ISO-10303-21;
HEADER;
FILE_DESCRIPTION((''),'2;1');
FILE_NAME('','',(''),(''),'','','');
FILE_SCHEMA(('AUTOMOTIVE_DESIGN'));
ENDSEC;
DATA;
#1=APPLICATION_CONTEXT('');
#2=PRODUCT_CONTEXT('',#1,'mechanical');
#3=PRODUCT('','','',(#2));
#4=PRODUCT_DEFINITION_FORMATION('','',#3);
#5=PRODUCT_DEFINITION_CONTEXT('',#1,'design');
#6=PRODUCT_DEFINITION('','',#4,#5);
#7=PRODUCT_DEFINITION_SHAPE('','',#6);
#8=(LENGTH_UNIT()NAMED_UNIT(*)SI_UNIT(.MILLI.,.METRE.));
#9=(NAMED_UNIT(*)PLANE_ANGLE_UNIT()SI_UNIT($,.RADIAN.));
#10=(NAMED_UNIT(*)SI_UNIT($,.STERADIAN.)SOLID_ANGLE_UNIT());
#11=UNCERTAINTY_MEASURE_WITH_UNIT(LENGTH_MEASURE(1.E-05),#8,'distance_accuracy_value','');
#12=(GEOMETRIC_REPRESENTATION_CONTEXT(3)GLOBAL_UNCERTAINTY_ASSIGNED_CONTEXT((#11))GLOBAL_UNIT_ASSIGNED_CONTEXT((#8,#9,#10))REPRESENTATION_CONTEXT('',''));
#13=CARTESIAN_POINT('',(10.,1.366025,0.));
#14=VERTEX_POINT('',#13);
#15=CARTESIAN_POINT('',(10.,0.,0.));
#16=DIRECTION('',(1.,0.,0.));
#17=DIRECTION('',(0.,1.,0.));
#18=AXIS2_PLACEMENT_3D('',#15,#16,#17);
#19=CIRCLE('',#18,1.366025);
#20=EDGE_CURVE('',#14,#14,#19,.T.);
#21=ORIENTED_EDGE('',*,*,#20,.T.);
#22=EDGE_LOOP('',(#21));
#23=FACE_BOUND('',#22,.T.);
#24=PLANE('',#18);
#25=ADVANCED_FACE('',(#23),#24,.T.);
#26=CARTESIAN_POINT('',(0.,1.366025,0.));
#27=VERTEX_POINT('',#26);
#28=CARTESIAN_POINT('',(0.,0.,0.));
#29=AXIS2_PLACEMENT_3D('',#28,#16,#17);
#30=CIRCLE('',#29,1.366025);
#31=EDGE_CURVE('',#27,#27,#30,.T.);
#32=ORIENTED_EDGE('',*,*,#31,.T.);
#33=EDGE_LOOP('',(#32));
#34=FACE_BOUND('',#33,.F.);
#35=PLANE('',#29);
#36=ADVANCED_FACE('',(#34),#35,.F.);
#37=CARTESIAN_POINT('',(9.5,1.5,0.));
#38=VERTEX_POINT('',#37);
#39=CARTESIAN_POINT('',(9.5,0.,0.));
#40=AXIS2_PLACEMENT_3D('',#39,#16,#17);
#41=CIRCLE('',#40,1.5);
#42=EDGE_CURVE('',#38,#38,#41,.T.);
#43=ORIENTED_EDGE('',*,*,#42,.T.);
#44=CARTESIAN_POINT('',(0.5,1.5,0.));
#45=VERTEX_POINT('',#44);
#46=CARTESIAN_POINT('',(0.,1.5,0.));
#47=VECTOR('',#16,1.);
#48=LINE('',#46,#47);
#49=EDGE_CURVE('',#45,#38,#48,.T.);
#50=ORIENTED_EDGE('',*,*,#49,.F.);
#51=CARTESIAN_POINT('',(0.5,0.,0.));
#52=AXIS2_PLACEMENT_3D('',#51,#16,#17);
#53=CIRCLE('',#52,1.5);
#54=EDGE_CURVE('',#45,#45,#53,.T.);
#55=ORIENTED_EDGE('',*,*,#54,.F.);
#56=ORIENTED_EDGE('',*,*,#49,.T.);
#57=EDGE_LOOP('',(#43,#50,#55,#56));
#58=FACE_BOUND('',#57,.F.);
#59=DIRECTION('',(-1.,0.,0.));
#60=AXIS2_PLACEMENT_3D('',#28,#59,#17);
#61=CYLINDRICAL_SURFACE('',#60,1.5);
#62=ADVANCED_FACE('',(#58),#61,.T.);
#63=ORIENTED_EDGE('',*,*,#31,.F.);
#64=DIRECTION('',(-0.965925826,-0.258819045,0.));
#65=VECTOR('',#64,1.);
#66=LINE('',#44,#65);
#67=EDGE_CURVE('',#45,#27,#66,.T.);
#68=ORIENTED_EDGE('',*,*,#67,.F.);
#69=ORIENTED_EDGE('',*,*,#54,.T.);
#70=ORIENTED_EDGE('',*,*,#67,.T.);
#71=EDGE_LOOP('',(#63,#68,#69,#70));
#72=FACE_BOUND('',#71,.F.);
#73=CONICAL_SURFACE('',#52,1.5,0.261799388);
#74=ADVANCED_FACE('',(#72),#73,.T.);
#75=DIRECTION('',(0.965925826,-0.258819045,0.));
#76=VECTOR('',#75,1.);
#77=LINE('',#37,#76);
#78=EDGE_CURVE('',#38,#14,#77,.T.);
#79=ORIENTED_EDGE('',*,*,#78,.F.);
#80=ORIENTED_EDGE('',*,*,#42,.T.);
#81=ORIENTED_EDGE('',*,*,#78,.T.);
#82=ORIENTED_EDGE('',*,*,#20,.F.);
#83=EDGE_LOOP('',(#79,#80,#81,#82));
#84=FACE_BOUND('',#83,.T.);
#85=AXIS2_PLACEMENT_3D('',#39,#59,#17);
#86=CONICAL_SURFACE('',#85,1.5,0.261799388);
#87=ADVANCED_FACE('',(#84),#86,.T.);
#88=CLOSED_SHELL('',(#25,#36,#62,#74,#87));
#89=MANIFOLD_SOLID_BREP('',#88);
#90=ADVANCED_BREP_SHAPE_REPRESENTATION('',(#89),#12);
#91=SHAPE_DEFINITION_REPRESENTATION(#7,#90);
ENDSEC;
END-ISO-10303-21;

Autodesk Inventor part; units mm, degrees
ref_plane "YZ Plane" through (0, 0, 0) normal (1, 0, 0) x (0, 1, 0)
ref_plane "XZ Plane" through (0, 0, 0) normal (0, 1, 0) x (-1, 0, 0)
ref_plane "XY Plane" through (0, 0, 0) normal (0, 0, 1) x (1, 0, 0)
sketch "Skizze" plane through (0, 0, 0) normal (1, 0, 0) x (0, 1, 0)
  circle A0 centre (0, 0) radius 1.5
  dimension "d1" = 3
extrude "Körper" add sketch "Skizze" along normal blind 10
chamfer "Fase1" distance 0.5 angle 15 1 edges at (0, -1.5, 0) measured on face at (6.6667, 1.4806, -0.2406)
chamfer "Skizze2" distance 0.5 angle 15 1 edges at (10, -1.5, 0) measured on face at (6.8333, 1.4951, -0.1207)
equation "\"d1\" = NND"
equation "\"d2\" = NLG"
equation "\"d8\" = PHH"
equation "\"d9\" = FAWI"
equation "\"d12\" = PHH"
equation "\"d4\" = PHH"
equation "\"d5\" = FAWI"
equation "\"d11\" = PHH"
equation "\"NND\" = 3"
equation "\"NLG\" = 10"
equation "\"PHH\" = 0.5"
equation "\"FAWI\" = 15deg"
equation "\"KAH\" = 0"
properties part number "ISO 2338 - 3 h8 x 10" material "Edelstahl, austenitisch"
